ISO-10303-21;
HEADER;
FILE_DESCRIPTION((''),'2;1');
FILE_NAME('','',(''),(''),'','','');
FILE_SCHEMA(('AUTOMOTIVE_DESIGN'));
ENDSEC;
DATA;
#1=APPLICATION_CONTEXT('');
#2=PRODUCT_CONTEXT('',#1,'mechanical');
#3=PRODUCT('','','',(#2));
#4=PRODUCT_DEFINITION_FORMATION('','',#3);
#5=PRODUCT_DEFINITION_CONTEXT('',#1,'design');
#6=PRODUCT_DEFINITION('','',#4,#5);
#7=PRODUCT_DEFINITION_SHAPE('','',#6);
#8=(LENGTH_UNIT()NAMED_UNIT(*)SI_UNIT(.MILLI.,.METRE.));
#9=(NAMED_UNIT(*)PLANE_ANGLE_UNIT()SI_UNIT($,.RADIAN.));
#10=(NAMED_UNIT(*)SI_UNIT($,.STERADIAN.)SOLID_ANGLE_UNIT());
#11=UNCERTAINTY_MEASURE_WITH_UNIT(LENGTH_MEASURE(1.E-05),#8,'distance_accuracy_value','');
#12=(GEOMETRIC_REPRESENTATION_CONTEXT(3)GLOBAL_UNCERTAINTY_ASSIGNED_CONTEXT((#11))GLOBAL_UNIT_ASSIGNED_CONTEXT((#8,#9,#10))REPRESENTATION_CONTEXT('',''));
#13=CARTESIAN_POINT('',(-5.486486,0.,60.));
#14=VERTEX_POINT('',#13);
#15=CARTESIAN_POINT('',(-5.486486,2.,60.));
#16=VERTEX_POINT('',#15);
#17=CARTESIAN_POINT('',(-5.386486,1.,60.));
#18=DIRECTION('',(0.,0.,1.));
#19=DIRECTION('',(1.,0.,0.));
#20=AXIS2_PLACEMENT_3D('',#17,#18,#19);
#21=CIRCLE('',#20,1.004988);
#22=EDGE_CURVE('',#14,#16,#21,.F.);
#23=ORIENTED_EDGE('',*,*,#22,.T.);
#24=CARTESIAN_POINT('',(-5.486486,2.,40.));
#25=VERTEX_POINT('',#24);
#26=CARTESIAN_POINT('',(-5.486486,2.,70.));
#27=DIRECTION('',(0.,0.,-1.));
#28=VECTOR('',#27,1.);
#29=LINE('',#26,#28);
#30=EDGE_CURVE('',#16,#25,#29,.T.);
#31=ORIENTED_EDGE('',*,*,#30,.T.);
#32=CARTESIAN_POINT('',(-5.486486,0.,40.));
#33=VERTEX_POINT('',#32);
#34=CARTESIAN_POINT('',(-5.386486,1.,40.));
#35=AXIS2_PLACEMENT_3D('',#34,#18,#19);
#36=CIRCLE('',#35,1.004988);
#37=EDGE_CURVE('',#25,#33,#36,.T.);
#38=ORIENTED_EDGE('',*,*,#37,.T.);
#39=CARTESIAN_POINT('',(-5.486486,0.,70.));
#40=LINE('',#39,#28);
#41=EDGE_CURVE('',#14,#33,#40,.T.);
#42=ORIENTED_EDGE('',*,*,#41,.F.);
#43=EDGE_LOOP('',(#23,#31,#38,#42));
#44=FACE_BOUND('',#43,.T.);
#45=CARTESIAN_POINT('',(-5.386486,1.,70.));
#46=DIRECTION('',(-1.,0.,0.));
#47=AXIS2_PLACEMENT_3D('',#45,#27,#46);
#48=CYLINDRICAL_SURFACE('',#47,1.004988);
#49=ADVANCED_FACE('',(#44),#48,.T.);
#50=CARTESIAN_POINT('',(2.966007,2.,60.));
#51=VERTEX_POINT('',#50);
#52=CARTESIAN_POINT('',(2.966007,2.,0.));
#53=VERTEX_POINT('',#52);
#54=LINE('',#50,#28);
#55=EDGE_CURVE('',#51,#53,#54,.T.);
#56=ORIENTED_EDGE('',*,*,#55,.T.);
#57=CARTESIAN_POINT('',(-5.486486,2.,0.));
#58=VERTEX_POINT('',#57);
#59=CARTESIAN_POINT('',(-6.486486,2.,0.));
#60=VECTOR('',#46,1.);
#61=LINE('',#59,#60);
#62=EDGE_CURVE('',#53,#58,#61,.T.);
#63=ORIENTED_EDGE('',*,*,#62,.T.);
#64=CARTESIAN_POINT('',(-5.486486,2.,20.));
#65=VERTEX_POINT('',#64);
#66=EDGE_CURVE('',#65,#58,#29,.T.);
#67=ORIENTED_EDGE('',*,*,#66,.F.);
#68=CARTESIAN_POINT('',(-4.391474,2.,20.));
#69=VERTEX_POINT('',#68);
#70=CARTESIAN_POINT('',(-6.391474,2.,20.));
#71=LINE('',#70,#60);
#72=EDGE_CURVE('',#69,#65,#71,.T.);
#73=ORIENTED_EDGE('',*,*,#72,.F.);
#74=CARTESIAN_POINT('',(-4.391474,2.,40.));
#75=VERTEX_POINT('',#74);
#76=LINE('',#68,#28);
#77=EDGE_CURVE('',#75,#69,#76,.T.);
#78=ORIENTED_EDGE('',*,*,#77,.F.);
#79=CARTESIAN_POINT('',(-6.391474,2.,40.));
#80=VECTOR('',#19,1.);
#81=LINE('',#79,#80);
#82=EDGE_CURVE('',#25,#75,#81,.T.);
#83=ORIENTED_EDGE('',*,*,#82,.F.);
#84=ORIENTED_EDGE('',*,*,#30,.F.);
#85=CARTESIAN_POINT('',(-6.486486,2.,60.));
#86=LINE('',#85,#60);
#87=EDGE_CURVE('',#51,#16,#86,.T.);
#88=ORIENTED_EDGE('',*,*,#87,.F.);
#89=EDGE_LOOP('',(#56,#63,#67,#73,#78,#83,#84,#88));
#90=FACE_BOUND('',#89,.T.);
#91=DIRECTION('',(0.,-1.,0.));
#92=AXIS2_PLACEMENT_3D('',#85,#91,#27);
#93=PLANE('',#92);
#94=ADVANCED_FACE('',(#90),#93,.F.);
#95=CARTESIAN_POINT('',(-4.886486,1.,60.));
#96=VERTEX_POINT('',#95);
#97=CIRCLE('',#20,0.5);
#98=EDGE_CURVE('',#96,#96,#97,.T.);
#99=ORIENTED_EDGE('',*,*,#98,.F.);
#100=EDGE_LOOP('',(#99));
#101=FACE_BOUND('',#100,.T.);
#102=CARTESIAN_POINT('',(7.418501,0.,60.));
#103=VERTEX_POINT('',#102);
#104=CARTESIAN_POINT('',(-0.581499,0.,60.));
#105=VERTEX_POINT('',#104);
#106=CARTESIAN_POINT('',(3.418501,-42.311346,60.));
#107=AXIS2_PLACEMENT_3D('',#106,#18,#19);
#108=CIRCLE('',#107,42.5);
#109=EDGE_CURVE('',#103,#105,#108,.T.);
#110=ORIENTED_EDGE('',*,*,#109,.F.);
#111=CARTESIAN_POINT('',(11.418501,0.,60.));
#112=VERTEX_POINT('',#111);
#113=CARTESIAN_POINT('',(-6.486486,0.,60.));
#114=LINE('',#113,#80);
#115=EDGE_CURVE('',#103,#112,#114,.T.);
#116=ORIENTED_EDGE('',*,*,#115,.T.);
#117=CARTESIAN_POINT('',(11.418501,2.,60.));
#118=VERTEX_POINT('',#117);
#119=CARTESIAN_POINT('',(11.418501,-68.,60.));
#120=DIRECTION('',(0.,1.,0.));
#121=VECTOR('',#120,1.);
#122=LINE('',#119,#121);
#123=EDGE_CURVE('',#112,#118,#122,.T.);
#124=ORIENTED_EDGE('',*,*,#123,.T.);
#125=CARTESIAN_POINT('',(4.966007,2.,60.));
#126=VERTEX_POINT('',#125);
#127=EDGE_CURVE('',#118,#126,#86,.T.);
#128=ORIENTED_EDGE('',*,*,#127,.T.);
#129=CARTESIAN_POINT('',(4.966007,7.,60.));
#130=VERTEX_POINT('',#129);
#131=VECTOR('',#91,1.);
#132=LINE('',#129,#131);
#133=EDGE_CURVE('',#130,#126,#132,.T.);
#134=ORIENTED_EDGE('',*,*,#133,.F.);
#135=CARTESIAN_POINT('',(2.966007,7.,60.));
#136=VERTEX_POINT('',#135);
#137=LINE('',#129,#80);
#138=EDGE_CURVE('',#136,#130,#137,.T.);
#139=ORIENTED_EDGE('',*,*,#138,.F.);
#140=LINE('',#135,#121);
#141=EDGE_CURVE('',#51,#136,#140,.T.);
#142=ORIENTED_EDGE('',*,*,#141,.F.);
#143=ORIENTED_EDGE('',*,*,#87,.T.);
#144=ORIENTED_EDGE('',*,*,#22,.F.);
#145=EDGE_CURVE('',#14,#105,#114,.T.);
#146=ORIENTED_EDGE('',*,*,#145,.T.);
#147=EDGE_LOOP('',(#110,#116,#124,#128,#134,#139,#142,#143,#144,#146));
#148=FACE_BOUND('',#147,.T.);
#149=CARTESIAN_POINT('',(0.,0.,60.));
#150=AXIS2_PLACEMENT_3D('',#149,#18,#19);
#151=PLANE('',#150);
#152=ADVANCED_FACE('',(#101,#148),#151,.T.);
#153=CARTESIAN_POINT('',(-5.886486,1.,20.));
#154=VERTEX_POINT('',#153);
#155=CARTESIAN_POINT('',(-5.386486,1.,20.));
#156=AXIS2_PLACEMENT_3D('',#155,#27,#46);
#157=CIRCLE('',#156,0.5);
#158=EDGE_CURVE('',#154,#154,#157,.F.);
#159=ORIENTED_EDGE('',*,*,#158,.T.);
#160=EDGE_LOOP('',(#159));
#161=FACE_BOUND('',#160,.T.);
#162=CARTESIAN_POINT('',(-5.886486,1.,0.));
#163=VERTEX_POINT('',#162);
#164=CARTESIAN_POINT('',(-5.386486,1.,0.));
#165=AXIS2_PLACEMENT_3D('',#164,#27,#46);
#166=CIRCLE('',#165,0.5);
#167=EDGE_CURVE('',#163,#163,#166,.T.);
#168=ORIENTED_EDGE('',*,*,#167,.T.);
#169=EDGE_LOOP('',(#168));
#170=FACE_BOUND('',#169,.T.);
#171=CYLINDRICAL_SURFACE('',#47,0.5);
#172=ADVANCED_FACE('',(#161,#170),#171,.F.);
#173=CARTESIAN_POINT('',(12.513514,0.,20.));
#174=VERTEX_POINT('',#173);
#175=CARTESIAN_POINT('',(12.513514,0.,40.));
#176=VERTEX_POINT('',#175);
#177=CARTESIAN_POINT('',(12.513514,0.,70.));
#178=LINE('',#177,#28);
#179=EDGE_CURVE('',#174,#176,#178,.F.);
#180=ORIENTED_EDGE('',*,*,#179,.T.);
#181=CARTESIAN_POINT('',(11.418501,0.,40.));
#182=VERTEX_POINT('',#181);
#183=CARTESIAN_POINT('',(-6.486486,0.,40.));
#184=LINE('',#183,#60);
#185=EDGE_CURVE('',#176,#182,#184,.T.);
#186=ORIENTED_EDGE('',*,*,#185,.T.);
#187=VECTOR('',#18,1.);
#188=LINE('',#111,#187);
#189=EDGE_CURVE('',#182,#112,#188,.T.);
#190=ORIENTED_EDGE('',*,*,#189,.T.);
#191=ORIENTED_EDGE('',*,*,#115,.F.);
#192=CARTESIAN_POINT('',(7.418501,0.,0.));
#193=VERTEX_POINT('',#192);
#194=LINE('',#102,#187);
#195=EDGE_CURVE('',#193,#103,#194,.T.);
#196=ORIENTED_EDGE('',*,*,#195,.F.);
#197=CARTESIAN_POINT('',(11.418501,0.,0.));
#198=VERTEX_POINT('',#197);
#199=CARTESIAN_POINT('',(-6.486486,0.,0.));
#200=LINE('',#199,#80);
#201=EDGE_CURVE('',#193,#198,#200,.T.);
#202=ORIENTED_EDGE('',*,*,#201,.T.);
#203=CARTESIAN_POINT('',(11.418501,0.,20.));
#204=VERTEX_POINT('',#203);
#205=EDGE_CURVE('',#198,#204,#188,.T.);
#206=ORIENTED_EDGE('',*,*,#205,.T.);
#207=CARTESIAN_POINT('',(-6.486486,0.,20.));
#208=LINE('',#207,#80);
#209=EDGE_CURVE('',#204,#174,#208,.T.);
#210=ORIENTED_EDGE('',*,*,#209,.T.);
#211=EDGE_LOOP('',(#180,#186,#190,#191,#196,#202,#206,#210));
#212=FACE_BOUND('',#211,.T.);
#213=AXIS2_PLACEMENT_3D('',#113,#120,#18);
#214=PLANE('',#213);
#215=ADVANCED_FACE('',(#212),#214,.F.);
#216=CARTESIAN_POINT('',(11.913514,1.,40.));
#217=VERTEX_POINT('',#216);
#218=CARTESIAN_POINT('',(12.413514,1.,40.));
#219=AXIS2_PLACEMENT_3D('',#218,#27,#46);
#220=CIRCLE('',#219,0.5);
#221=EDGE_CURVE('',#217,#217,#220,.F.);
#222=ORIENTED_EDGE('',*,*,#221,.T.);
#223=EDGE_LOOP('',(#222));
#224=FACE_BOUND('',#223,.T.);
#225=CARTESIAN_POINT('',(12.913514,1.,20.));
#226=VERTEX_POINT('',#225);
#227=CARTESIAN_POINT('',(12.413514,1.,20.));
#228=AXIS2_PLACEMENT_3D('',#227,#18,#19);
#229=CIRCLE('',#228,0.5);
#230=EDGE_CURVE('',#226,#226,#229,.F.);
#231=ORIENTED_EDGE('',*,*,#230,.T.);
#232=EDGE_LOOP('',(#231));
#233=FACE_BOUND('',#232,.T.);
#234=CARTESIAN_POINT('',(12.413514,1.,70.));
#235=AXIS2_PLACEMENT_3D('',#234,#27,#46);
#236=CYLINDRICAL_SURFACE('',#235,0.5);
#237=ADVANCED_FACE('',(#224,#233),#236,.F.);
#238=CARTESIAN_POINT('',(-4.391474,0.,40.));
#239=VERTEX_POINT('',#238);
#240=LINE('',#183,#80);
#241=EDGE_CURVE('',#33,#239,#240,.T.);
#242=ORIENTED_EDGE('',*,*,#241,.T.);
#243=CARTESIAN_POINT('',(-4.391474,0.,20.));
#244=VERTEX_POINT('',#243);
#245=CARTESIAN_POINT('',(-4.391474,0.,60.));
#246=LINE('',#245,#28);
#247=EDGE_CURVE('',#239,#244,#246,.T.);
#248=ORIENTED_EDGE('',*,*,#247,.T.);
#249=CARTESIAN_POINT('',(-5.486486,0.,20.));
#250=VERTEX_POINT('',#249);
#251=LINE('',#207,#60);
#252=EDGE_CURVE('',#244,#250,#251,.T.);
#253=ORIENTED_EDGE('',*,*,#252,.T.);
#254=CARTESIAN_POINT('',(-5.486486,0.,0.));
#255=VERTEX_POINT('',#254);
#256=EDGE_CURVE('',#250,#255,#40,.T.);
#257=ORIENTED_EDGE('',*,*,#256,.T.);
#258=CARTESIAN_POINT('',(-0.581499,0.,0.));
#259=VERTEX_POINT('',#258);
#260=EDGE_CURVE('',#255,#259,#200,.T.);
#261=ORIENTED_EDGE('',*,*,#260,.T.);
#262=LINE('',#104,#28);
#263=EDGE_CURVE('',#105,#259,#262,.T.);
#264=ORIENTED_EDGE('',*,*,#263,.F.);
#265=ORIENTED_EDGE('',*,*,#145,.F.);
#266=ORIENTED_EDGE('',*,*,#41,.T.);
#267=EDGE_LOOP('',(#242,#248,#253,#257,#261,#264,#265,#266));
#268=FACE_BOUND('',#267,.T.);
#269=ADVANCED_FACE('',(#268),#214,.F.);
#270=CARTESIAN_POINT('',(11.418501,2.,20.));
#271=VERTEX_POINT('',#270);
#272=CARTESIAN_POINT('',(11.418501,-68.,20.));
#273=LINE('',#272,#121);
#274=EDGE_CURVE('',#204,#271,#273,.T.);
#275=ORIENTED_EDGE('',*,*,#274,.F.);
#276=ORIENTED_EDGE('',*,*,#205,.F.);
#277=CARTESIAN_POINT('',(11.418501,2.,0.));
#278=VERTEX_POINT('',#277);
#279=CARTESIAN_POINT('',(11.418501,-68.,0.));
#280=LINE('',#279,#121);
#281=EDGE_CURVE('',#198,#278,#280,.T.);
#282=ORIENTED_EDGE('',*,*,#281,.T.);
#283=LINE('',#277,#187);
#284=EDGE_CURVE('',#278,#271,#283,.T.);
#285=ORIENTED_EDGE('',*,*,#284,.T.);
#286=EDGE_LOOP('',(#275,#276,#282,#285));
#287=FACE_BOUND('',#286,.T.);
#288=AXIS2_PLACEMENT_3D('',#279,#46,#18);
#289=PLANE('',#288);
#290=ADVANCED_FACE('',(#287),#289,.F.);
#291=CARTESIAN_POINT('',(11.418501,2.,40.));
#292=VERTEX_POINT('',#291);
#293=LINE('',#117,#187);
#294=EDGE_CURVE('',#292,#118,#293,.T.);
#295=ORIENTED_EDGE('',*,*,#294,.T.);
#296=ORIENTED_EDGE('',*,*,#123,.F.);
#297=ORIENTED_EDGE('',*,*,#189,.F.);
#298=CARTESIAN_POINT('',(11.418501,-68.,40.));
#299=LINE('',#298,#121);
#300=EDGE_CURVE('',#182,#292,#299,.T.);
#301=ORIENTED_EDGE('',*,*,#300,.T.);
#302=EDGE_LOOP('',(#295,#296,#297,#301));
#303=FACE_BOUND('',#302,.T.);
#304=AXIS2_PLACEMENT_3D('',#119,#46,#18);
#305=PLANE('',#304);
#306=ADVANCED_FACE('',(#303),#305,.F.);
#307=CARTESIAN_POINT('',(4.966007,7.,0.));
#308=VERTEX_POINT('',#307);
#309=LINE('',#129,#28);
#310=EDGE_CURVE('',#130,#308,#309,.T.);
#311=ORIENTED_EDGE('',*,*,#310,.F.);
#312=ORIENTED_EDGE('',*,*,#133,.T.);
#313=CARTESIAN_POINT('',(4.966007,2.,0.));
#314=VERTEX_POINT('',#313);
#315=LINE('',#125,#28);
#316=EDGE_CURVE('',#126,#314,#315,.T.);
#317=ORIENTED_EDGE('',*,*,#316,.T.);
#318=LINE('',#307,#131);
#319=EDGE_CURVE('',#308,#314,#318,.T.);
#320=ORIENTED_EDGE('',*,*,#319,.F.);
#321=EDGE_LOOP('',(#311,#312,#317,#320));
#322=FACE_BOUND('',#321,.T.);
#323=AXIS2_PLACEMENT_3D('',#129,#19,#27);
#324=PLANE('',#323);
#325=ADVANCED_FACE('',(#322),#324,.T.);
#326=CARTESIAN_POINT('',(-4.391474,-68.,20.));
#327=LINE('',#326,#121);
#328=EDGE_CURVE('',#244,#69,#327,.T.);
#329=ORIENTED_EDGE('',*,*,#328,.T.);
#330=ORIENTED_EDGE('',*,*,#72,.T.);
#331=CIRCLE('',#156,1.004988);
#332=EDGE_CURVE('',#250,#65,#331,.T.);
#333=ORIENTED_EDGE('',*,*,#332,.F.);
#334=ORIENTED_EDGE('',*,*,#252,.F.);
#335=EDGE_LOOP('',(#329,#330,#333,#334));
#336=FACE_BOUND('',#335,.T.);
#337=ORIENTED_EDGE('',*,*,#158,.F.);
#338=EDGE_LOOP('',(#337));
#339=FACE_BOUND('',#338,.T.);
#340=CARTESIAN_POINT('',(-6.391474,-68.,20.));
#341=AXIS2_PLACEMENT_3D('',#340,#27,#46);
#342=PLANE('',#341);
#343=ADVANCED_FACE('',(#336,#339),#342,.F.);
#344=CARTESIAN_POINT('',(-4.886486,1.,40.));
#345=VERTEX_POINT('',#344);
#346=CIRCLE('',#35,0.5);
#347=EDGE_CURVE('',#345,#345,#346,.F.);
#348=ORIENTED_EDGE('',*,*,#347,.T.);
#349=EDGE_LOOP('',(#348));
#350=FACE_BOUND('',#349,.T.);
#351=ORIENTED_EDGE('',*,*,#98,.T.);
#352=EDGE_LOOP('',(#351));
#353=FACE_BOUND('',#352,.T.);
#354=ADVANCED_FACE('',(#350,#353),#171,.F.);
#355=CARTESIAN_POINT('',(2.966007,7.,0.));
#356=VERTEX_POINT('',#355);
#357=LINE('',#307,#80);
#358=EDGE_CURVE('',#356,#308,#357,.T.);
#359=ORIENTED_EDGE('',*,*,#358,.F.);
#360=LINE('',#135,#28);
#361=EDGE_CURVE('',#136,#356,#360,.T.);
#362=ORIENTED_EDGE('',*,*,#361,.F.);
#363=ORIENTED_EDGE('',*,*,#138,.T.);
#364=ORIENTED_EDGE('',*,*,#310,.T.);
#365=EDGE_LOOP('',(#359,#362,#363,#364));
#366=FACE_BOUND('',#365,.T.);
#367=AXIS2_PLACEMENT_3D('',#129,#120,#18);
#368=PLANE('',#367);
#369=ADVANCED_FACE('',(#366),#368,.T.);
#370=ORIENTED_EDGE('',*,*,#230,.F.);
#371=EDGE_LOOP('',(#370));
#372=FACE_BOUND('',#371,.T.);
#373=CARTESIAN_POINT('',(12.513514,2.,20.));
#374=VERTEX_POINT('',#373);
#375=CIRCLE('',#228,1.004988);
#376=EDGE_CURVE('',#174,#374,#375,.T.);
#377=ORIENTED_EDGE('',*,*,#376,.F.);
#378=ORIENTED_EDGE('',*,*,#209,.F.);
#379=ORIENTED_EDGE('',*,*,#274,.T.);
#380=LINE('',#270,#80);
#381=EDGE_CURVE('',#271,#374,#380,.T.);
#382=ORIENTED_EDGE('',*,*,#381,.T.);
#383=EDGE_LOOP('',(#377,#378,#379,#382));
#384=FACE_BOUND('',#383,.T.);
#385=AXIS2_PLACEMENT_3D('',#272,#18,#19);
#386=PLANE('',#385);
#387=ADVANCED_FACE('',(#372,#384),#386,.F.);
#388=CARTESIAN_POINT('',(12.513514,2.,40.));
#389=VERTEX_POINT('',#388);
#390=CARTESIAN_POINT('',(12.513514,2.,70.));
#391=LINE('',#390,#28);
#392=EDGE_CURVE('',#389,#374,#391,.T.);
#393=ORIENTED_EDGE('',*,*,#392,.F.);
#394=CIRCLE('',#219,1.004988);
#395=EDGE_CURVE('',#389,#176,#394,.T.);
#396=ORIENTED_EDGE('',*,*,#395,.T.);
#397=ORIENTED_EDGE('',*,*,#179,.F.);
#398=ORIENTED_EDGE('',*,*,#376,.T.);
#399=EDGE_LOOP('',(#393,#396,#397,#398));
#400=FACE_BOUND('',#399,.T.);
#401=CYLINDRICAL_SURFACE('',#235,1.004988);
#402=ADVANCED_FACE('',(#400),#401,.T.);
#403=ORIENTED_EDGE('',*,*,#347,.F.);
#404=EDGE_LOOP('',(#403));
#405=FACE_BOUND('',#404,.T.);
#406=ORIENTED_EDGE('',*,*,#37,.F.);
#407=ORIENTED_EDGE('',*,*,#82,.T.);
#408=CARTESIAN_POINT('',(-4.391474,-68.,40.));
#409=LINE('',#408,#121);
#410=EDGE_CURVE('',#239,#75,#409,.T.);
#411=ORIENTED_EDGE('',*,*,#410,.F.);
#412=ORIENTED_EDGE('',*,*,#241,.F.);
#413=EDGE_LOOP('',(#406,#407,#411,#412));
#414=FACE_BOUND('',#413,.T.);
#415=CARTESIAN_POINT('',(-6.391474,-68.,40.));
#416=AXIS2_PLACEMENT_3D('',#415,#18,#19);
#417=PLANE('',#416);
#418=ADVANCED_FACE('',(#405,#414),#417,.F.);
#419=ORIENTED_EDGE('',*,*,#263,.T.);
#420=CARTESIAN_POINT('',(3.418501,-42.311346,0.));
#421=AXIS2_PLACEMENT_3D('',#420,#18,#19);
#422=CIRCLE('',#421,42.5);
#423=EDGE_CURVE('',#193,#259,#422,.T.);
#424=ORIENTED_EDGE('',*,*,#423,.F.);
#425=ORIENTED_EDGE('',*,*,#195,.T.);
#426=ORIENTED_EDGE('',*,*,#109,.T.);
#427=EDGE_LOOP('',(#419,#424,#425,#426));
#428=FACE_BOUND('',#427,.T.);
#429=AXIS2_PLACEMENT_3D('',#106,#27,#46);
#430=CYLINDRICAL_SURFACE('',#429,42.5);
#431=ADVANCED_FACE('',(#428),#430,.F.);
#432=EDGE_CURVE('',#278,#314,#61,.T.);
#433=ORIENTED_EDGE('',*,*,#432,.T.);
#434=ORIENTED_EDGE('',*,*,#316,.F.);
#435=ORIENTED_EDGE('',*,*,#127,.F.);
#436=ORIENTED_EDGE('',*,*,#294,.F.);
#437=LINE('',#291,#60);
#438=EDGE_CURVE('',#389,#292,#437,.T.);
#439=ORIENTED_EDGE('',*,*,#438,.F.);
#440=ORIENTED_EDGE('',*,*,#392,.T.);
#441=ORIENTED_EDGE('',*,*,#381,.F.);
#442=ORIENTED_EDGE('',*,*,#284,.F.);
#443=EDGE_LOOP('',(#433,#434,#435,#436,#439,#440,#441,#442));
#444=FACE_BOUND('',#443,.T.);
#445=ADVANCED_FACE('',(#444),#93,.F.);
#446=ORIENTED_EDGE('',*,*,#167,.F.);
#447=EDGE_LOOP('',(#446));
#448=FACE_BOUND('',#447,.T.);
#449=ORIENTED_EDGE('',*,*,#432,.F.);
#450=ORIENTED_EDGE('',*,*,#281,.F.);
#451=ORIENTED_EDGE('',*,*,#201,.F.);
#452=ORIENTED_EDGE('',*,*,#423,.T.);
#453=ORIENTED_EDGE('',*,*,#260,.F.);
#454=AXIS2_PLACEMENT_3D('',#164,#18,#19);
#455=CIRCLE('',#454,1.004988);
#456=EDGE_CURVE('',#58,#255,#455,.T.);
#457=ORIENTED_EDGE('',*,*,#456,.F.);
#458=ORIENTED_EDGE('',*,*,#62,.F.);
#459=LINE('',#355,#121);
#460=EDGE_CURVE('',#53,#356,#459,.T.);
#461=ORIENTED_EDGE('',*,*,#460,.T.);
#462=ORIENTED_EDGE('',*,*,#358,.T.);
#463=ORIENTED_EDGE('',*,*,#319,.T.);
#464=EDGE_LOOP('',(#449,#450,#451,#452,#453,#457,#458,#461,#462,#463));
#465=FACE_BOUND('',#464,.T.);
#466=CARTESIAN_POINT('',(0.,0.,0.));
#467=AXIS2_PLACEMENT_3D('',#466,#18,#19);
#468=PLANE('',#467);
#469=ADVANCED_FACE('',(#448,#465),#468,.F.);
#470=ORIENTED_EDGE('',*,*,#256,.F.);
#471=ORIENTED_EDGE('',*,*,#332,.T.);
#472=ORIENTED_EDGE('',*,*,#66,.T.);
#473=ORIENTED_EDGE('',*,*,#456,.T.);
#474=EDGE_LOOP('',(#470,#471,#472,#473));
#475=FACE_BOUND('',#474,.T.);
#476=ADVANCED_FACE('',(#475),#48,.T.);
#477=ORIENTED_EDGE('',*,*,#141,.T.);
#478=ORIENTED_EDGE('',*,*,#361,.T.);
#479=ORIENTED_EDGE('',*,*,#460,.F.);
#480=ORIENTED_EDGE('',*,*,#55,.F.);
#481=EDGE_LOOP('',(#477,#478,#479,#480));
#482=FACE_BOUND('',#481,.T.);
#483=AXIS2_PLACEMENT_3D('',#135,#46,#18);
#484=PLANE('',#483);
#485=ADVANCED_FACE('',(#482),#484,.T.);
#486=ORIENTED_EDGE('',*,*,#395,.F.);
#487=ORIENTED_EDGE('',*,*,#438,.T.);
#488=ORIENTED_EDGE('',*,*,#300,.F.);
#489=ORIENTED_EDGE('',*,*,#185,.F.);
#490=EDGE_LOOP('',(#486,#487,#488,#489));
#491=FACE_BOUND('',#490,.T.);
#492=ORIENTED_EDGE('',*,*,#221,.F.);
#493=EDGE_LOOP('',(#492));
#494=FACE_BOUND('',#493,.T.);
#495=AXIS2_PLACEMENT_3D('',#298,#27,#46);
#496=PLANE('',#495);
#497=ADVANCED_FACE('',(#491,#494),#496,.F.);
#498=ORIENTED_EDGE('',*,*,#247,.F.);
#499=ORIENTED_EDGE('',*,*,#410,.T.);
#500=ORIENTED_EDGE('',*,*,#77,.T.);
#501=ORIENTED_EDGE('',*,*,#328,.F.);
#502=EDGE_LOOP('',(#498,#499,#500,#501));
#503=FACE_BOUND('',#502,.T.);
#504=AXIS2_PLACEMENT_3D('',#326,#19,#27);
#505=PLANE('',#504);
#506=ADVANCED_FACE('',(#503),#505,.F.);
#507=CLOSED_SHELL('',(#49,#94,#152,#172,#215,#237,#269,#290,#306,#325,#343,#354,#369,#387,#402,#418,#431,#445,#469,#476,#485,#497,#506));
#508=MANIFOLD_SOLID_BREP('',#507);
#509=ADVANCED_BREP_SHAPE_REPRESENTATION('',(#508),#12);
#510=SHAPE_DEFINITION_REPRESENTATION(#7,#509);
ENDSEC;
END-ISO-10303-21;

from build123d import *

# Parameters (mm, degrees)
SKETCH1_W           = 20
SKETCH1_H           = 2
BOSS_EXTRUDE1_DEPTH = 60
CUT_EXTRUDE2_DEPTH  = 70
SKETCH5_R           = 0.5
CUT_EXTRUDE3_DEPTH  = 70
SKETCH6_W           = 2
SKETCH6_H           = 20
CUT_EXTRUDE4_DEPTH  = 70
SKETCH7_W           = 2
SKETCH7_H           = 5
BOSS_EXTRUDE2_DEPTH = 60
SKETCH9_W           = 8
SKETCH9_H           = 60
CUT_EXTRUDE5_DEPTH  = 1
BOSS_EXTRUDE3_DEPTH = 60


with BuildPart() as part:
    # Sketch1 → Boss-Extrude1 (new body)
    with BuildSketch(Plane.XY):
        with Locations((3.513513514, 1)):
            Rectangle(SKETCH1_W, SKETCH1_H)
    extrude(amount=BOSS_EXTRUDE1_DEPTH)

    # Sketch4 → Cut-Extrude2 (cut)
    with BuildSketch(Plane(origin=(0, 0, 0), x_dir=(-1, 0, 0), z_dir=(0, 0, -1))):
        with BuildLine():
            Line((-13.513513514, 2), (-12.513513514, 2))
            ThreePointArc((-12.513513514, 2), (-13.417253411, 0.949937849), (-12.413513514, -0.004987562))
            Line((-12.413513514, -0.004987562), (-13.513513514, -0.004987562))
            Line((-13.513513514, -0.004987562), (-13.513513514, 2))
        make_face()
        with BuildLine():
            Line((6.486486486, 2), (5.486486486, 2))
            ThreePointArc((5.486486486, 2), (6.390226384, 0.949937849), (5.386486486, -0.004987562))
            Line((5.386486486, -0.004987562), (6.486486486, -0.004987562))
            Line((6.486486486, -0.004987562), (6.486486486, 2))
        make_face()
    extrude(amount=-CUT_EXTRUDE2_DEPTH, mode=Mode.SUBTRACT)

    # Sketch5 → Cut-Extrude3 (cut)
    with BuildSketch(Plane(origin=(0, 0, 0), x_dir=(-1, 0, 0), z_dir=(0, 0, -1))):
        with Locations((-12.413513514, 1)):
            Circle(SKETCH5_R)
        with Locations((5.386486486, 1)):
            Circle(SKETCH5_R)
    extrude(amount=-CUT_EXTRUDE3_DEPTH, mode=Mode.SUBTRACT)

    # Sketch6 → Cut-Extrude4 (cut)
    with BuildSketch(Plane(origin=(0, 2, 0), x_dir=(1, 0, 0), z_dir=(0, 1, 0))):
        with Locations((-5.391474049, -30)):
            Rectangle(SKETCH6_W, SKETCH6_H)
        with Locations((12.418501076, -10)):
            Rectangle(SKETCH6_W, SKETCH6_H)
        with Locations((12.418501076, -50)):
            Rectangle(SKETCH6_W, SKETCH6_H)
    extrude(amount=-CUT_EXTRUDE4_DEPTH, mode=Mode.SUBTRACT)

    # Sketch7 → Boss-Extrude2 (add)
    with BuildSketch(Plane(origin=(0, 0, 0), x_dir=(-1, 0, 0), z_dir=(0, 0, -1))):
        with Locations((-3.966007295, 4.5)):
            Rectangle(SKETCH7_W, SKETCH7_H)
    extrude(amount=-BOSS_EXTRUDE2_DEPTH)

    # Sketch9 → Cut-Extrude5 (cut)
    with BuildSketch(Plane(origin=(0, 0, 0), x_dir=(-1, 0, 0), z_dir=(0, -1, 0))):
        with Locations((-3.418501076, -30)):
            Rectangle(SKETCH9_W, SKETCH9_H)
    extrude(amount=-CUT_EXTRUDE5_DEPTH, mode=Mode.SUBTRACT)

    # Sketch12 → Boss-Extrude3 (add)
    with BuildSketch(Plane(origin=(0, 0, 0), x_dir=(-1, 0, 0), z_dir=(0, 0, -1))):
        with BuildLine():
            Line((-7.418501076, 1), (0.581498924, 1))
            Line((0.581498924, 1), (0.581498924, 0))
            ThreePointArc((0.581498924, 0), (-3.418501076, 0.188654004), (-7.418501076, 0))
            Line((-7.418501076, 0), (-7.418501076, 1))
        make_face()
    extrude(amount=-BOSS_EXTRUDE3_DEPTH)


solid = part.part
